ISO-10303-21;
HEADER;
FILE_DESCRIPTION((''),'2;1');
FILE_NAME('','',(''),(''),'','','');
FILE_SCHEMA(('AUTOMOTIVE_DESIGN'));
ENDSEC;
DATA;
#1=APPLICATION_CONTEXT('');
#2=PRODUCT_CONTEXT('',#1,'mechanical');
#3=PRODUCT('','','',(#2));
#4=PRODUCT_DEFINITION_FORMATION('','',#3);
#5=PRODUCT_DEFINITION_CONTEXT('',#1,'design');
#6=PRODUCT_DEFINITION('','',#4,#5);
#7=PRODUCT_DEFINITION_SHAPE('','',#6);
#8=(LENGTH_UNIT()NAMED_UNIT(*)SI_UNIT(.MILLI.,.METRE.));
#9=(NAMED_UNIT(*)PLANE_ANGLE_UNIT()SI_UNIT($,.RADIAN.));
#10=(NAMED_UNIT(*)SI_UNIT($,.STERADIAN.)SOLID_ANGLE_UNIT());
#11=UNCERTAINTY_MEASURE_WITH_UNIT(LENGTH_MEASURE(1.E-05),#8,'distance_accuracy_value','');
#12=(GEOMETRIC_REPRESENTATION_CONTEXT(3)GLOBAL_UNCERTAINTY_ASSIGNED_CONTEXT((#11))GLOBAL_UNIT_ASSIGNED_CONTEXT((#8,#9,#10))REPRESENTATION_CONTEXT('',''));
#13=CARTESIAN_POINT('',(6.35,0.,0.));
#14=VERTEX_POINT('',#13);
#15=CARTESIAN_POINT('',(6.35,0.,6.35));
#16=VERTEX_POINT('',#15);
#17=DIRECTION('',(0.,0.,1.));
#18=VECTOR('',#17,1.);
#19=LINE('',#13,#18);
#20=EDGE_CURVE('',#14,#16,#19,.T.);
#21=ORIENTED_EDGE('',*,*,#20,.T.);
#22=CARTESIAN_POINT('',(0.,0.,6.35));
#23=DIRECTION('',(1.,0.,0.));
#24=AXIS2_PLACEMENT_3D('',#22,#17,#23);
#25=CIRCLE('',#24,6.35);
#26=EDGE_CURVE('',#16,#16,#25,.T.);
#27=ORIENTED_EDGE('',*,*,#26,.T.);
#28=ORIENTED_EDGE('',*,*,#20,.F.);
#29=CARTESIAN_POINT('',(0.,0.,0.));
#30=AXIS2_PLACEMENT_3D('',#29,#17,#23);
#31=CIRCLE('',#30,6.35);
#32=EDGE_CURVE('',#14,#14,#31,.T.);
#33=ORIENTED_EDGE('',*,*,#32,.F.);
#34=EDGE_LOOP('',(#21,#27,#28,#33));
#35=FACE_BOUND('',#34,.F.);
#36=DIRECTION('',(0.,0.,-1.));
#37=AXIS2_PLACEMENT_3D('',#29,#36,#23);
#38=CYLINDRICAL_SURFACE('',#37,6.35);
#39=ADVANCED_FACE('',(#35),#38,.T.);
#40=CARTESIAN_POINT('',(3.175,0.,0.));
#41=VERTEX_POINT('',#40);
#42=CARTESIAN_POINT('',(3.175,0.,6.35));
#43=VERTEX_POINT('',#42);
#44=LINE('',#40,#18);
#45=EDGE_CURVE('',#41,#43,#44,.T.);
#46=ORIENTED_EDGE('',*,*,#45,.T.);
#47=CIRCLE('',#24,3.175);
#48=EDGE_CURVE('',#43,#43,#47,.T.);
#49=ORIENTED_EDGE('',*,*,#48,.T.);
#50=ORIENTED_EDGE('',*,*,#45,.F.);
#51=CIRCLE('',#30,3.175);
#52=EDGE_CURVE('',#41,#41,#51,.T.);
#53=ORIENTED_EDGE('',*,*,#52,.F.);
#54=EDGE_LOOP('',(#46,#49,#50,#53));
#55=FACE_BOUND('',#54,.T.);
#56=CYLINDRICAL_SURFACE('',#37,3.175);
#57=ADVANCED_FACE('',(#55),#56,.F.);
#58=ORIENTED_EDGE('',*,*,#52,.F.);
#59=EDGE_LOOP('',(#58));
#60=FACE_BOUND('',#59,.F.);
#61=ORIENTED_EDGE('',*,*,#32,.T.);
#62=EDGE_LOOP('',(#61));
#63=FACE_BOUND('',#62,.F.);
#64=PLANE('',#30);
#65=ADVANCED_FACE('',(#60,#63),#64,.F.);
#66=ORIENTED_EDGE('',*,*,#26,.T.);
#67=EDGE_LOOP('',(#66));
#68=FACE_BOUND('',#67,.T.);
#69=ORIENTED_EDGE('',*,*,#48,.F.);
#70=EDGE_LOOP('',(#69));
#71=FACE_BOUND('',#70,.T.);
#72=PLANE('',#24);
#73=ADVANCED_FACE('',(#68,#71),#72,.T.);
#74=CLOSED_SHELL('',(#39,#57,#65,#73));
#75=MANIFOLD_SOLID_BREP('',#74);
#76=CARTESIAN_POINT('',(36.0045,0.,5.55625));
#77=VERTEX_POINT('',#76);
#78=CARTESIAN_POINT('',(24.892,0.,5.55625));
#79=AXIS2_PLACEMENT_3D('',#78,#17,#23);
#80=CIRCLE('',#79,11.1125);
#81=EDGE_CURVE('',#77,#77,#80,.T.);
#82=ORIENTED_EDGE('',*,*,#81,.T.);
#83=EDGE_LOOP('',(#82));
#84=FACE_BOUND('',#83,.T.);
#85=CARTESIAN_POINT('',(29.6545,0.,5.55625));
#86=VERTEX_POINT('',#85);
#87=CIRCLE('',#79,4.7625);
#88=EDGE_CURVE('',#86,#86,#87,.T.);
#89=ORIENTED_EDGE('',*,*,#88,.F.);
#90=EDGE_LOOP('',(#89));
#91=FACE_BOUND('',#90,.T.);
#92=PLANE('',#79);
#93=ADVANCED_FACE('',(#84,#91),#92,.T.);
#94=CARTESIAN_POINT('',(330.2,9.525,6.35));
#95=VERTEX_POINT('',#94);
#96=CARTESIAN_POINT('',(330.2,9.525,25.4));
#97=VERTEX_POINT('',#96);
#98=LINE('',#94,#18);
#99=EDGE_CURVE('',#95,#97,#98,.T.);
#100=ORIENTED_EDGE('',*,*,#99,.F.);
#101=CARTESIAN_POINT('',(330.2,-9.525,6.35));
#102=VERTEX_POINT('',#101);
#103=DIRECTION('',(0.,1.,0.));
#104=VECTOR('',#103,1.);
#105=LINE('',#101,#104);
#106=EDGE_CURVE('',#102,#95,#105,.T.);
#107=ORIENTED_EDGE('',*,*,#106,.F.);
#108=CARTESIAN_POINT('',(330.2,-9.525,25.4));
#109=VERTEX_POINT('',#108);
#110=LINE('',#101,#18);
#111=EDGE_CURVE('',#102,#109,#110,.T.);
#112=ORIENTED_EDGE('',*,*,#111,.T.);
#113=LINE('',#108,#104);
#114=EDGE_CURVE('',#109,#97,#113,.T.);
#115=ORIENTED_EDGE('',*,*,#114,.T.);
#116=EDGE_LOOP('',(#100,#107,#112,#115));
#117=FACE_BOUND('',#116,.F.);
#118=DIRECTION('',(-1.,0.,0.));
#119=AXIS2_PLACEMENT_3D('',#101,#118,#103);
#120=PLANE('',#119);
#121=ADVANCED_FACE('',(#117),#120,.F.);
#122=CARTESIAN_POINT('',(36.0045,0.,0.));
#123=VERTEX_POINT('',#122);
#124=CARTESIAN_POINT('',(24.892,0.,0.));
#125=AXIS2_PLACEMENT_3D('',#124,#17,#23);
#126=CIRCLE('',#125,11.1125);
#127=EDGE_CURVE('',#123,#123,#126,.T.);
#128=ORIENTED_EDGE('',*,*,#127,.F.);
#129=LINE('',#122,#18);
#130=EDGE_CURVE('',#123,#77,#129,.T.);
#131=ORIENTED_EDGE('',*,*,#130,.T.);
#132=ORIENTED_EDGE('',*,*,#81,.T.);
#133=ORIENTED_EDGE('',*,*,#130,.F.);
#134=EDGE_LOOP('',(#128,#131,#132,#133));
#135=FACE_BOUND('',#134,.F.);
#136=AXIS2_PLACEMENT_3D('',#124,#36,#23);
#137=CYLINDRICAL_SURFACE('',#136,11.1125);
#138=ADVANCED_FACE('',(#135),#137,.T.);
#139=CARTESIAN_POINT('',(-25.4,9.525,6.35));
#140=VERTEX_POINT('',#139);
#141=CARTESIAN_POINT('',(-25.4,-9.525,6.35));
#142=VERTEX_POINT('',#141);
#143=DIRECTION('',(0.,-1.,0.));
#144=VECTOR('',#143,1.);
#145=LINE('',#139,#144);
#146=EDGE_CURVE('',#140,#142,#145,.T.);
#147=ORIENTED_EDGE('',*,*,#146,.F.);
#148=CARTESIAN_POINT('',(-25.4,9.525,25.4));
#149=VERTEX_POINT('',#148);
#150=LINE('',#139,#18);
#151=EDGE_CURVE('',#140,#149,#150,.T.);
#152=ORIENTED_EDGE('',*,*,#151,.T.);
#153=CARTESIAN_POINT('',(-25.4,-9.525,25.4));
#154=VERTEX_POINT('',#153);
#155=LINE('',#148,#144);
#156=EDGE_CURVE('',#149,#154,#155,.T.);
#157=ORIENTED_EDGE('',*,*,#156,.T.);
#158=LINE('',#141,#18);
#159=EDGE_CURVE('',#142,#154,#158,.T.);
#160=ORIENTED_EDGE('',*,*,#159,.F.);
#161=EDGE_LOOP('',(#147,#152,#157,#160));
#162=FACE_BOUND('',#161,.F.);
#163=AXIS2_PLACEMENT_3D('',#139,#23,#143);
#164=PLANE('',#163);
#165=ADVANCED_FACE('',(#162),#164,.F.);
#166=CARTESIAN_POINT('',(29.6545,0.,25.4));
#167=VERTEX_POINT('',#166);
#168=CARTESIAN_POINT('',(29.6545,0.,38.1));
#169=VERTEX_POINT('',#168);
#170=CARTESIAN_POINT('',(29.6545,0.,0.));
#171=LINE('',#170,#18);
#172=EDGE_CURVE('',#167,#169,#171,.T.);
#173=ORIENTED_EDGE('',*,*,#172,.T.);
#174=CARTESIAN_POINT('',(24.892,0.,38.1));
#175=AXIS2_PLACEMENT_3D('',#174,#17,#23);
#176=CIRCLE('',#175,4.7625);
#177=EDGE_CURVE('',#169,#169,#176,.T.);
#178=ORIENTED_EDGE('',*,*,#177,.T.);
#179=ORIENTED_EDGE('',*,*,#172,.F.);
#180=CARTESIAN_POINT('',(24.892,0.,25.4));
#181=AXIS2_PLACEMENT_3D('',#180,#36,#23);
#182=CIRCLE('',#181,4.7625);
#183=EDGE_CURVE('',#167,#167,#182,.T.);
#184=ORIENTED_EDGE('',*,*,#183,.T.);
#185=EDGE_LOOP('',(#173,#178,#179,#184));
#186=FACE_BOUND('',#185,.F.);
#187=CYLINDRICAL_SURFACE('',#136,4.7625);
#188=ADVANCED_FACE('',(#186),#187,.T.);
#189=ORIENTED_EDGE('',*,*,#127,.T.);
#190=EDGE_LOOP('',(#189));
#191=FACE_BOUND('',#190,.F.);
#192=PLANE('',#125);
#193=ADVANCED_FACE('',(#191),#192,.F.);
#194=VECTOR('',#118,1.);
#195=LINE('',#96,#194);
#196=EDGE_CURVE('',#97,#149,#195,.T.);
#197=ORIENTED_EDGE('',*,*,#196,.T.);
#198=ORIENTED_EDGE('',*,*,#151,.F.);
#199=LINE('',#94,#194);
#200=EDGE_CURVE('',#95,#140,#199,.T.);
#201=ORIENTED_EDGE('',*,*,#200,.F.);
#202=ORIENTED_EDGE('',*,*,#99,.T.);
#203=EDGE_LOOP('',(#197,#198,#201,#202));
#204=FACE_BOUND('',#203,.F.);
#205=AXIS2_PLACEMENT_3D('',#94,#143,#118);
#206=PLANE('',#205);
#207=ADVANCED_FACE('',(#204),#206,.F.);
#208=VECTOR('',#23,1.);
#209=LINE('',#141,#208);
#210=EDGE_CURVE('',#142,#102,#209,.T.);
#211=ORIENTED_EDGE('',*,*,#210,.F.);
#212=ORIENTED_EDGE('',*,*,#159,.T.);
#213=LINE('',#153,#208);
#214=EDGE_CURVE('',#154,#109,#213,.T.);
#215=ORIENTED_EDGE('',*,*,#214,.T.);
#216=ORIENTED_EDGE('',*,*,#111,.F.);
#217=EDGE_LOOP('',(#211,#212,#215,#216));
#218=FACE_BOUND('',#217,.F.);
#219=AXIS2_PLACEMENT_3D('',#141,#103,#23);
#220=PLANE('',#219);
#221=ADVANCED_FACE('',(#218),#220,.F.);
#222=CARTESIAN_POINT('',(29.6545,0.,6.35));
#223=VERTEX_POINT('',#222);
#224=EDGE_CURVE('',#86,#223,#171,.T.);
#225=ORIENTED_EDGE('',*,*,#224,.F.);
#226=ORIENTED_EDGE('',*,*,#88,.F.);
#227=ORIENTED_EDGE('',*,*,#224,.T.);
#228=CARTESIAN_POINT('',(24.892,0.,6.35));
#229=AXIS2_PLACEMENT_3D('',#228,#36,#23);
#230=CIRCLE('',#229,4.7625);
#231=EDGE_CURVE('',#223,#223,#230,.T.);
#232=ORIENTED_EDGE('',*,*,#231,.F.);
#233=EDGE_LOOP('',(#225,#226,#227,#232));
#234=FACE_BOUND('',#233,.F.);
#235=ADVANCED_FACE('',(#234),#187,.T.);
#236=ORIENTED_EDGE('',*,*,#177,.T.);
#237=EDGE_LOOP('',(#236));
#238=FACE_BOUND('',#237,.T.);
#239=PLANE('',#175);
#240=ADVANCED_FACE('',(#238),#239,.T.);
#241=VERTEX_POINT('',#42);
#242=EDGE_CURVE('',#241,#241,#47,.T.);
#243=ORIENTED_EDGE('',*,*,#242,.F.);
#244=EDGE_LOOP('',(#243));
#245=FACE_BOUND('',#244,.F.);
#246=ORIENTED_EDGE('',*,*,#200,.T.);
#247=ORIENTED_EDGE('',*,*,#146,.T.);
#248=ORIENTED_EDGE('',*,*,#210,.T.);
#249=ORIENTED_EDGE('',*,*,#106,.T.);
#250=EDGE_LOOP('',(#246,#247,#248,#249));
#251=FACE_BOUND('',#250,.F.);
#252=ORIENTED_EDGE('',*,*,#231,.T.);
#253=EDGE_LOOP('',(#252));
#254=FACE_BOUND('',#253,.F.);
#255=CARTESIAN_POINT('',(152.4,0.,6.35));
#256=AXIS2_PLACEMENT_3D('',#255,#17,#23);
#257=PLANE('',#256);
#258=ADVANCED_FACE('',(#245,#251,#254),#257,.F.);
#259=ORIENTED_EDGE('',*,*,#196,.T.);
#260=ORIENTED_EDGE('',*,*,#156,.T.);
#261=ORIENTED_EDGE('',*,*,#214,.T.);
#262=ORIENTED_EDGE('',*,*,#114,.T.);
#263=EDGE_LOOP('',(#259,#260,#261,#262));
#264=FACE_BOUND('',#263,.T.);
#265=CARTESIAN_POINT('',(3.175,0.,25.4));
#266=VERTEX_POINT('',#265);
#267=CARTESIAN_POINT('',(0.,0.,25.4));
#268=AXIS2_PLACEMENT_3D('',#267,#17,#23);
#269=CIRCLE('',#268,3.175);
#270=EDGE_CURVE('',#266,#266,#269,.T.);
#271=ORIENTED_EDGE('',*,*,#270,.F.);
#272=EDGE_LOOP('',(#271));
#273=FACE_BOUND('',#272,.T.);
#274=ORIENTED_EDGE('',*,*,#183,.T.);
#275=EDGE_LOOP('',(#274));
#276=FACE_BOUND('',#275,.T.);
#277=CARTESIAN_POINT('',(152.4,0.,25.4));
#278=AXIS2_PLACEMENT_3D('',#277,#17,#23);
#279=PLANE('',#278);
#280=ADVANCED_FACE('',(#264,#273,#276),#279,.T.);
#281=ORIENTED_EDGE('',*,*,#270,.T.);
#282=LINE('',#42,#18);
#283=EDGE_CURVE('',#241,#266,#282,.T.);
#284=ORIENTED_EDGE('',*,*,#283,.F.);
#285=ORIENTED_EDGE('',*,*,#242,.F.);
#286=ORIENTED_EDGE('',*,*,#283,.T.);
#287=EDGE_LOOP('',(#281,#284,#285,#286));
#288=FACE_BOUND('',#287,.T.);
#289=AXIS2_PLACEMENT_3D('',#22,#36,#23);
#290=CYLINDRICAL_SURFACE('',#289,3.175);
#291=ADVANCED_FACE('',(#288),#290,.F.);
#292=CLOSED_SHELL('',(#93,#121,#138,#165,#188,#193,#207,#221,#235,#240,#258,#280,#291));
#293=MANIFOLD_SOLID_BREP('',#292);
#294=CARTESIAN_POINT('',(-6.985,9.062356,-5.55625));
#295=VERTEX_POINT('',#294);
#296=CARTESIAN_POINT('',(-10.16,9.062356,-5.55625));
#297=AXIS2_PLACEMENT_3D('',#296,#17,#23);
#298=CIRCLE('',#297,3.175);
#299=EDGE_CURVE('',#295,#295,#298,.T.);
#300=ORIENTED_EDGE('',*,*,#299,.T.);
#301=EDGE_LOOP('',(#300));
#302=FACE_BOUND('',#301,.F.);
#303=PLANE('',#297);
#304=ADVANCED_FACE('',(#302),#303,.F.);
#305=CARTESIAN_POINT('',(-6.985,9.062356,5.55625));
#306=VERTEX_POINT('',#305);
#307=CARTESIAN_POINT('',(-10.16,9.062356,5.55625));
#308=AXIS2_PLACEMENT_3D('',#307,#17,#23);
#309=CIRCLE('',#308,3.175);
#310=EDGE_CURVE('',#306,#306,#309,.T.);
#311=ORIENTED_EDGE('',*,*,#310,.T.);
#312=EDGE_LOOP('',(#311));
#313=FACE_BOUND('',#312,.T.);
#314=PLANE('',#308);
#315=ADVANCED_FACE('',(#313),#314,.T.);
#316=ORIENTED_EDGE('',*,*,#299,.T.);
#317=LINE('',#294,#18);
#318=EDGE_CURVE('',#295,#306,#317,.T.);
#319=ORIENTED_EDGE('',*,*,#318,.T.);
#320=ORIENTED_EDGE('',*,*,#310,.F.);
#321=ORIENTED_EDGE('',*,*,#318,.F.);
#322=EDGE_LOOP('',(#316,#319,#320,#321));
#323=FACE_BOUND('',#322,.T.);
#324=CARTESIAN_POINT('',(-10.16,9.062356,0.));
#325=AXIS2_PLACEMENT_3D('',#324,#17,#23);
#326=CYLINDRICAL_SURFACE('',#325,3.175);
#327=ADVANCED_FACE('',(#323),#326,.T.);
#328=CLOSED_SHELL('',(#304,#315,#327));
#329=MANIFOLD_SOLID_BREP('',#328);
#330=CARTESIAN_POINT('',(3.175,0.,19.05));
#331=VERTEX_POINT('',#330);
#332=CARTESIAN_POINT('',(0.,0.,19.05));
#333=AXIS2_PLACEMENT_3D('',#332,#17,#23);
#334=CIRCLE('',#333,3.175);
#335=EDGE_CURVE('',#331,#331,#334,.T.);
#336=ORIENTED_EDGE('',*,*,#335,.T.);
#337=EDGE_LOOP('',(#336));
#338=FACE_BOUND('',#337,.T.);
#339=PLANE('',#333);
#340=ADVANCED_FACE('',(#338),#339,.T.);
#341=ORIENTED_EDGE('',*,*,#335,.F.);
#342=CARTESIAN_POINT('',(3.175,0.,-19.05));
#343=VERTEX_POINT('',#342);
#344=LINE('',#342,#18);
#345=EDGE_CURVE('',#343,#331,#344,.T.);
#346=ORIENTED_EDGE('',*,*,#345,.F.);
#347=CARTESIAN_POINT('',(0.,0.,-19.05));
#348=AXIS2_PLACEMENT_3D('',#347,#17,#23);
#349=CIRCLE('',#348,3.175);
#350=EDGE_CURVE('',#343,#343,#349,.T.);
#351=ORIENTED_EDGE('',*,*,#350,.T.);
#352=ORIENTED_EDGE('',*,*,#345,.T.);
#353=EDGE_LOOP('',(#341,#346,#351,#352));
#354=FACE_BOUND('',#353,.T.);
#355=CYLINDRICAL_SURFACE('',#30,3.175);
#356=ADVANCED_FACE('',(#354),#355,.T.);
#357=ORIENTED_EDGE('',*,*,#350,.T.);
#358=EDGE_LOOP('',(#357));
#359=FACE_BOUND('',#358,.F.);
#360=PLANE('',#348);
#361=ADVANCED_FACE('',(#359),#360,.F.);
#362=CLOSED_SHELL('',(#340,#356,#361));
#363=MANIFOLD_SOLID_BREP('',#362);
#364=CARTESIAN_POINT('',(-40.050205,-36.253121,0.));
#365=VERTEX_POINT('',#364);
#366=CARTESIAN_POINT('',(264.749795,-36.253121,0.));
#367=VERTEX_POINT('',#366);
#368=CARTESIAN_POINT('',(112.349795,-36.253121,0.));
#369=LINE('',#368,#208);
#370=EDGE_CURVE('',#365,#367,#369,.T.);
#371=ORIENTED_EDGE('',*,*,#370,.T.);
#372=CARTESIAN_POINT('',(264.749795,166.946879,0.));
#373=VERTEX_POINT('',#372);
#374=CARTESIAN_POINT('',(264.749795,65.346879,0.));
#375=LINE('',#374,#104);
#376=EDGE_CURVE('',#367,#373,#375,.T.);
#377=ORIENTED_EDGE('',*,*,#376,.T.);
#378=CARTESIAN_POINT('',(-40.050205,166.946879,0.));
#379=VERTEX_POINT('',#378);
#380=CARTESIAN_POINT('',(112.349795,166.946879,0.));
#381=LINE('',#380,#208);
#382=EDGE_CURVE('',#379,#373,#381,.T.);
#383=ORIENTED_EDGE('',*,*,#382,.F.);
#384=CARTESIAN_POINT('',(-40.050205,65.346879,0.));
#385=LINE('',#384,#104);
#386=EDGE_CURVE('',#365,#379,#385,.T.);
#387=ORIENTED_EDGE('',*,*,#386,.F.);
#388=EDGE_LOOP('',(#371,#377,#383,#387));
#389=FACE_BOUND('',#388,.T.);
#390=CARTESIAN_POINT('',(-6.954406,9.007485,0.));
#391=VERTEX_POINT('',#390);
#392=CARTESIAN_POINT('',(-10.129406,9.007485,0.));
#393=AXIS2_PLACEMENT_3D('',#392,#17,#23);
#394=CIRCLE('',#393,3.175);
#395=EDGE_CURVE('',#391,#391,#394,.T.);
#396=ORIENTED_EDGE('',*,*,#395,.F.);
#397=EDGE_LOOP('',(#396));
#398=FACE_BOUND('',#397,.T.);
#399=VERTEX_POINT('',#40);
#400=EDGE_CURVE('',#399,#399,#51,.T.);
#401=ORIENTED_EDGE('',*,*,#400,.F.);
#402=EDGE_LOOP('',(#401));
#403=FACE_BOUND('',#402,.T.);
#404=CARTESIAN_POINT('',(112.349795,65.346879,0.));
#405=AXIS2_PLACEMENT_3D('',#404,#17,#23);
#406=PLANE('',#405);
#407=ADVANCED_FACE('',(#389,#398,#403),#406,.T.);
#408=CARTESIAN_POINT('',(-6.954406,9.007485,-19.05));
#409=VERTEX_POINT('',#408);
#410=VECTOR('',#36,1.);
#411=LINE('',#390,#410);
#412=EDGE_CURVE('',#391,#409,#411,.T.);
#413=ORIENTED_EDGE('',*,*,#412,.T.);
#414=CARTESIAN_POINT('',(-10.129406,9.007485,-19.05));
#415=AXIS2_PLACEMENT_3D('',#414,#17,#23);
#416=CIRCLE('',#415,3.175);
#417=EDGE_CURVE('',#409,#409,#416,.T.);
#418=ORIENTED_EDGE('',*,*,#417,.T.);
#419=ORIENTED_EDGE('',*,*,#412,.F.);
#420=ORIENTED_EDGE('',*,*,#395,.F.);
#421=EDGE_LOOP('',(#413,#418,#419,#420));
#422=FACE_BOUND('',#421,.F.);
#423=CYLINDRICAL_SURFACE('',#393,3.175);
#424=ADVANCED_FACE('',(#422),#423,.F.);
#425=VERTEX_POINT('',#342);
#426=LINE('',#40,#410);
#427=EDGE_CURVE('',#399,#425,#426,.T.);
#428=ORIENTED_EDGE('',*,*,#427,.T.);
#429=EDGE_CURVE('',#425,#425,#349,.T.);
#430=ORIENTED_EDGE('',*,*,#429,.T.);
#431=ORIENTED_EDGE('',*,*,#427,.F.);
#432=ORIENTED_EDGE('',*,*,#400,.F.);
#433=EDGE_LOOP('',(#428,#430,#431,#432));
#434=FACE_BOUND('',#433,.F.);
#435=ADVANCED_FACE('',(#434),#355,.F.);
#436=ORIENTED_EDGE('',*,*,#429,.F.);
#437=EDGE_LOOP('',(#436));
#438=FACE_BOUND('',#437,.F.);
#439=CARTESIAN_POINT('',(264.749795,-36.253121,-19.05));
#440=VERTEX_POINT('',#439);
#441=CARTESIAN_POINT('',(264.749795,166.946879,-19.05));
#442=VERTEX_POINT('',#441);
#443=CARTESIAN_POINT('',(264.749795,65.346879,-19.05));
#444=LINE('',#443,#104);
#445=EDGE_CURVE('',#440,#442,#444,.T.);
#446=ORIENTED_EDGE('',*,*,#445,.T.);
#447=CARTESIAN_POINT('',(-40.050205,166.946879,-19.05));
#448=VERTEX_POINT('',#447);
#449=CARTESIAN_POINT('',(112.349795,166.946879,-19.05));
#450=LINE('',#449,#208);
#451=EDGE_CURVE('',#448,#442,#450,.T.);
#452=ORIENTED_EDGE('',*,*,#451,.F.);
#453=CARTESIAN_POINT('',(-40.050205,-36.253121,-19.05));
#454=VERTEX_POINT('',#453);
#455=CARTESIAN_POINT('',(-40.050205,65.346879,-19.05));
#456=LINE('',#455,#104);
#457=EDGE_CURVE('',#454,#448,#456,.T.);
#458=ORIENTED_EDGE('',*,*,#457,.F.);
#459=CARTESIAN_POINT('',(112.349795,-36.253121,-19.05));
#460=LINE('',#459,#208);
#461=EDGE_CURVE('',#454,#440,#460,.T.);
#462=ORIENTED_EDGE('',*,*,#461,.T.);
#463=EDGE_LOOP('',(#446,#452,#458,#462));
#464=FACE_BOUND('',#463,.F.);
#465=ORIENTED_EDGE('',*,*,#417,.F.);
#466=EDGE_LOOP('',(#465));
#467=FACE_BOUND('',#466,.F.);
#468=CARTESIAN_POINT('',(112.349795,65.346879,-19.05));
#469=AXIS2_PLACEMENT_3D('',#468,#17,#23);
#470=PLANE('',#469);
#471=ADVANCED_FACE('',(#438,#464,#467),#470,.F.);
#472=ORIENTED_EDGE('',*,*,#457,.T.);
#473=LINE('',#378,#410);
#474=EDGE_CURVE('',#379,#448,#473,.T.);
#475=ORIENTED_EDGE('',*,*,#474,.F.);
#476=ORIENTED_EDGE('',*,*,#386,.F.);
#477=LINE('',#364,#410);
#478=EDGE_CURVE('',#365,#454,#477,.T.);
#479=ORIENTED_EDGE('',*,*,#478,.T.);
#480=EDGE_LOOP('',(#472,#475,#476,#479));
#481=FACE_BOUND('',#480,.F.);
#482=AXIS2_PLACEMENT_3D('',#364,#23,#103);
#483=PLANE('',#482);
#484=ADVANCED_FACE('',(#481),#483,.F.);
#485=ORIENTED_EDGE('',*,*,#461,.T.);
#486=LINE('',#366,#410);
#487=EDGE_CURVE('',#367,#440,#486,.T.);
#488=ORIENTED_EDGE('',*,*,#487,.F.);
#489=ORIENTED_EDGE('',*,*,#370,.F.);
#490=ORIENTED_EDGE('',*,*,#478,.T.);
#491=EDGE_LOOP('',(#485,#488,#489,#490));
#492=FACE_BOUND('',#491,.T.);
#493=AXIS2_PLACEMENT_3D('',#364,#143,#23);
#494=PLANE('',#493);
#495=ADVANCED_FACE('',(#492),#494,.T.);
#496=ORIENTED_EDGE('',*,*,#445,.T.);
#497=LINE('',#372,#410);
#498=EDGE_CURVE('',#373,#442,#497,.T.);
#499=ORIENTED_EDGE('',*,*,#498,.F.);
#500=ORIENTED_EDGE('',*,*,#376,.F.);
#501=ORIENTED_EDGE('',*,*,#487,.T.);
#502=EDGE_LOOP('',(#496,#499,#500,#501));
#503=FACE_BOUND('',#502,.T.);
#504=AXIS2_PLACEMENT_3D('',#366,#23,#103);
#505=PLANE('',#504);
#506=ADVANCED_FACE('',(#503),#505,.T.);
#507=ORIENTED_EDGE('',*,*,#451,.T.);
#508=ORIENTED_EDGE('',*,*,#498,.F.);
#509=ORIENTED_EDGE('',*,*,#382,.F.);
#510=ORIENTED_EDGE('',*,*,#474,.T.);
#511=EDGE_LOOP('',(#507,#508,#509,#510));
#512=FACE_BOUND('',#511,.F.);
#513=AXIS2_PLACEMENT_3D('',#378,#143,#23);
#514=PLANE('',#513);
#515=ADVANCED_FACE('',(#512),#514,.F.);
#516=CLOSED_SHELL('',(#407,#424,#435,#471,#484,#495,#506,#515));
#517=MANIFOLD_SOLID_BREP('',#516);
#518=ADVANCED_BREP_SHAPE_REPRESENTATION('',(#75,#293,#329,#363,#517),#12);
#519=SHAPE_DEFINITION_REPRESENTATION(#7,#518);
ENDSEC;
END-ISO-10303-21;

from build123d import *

# Parameters (mm, degrees)
F0_R     = 3.175
F1_DEPTH = 19.05
F2_DEPTH = 5.55625
F0_R_2   = 6.35
F3_DEPTH = 6.35
F0_R_3   = 11.1125
F0_R_4   = 4.7625
F4_DEPTH = 5.55625
F5_DEPTH = 38.1
F6_W     = 304.8
F6_H     = 203.2
F6_R     = 3.175
F7_DEPTH = 19.05
F8_R     = 6.35
F8_R_2   = 3.175
F9_DEPTH = 19.05


with BuildPart() as f1:
    # F0 (on Top) → F1 (new body, symmetric)
    with BuildSketch(Plane.XY):
        Circle(F0_R)
    extrude(amount=F1_DEPTH, both=True)


with BuildPart() as f2:
    # F0 (on Top) → F2 (new body, symmetric)
    with BuildSketch(Plane.XY):
        with Locations((-10.16, 9.0623555084)):
            Circle(F0_R)
    extrude(amount=F2_DEPTH, both=True)


with BuildPart() as f3:
    # F0 (on Top) → F3 (new body)
    with BuildSketch(Plane.XY):
        Circle(F0_R_2)
        Circle(F0_R, mode=Mode.SUBTRACT)
    extrude(amount=F3_DEPTH)


with BuildPart() as f4:
    # F0 (on Top) → F4 (new body)
    with BuildSketch(Plane.XY):
        with Locations((24.892, 0)):
            Circle(F0_R_3)
        with Locations((24.892, 0)):
            Circle(F0_R_4, mode=Mode.SUBTRACT)
    extrude(amount=F4_DEPTH)

    # F0 (on Top) → F5 (join)
    with BuildSketch(Plane.XY):
        with Locations((24.892, 0)):
            Circle(F0_R_4)
    extrude(amount=F5_DEPTH)

    # F8 (on face) → F9 (join)
    with BuildSketch(Plane.XY.offset(6.35)):
        Polygon((-25.4, 9.525), (-25.4, -9.525), (25.4, -9.525), (330.2, -9.525), (330.2, 9.525), (25.4, 9.525), align=None)
        Circle(F8_R, mode=Mode.SUBTRACT)
        Circle(F8_R)
        Circle(F8_R_2, mode=Mode.SUBTRACT)
    extrude(amount=F9_DEPTH)


with BuildPart() as f7:
    # F6 (on Top) → F7 (new body)
    with BuildSketch(Plane.XY):
        with Locations((112.3497951567, 65.3468792498)):
            Rectangle(F6_W, F6_H)
        with Locations((-10.1294061169, 9.0074846521)):
            Circle(F6_R, mode=Mode.SUBTRACT)
        Circle(F6_R, mode=Mode.SUBTRACT)
    extrude(amount=-F7_DEPTH)


solid = Compound([f1.part, f2.part, f3.part, f4.part, f7.part])
